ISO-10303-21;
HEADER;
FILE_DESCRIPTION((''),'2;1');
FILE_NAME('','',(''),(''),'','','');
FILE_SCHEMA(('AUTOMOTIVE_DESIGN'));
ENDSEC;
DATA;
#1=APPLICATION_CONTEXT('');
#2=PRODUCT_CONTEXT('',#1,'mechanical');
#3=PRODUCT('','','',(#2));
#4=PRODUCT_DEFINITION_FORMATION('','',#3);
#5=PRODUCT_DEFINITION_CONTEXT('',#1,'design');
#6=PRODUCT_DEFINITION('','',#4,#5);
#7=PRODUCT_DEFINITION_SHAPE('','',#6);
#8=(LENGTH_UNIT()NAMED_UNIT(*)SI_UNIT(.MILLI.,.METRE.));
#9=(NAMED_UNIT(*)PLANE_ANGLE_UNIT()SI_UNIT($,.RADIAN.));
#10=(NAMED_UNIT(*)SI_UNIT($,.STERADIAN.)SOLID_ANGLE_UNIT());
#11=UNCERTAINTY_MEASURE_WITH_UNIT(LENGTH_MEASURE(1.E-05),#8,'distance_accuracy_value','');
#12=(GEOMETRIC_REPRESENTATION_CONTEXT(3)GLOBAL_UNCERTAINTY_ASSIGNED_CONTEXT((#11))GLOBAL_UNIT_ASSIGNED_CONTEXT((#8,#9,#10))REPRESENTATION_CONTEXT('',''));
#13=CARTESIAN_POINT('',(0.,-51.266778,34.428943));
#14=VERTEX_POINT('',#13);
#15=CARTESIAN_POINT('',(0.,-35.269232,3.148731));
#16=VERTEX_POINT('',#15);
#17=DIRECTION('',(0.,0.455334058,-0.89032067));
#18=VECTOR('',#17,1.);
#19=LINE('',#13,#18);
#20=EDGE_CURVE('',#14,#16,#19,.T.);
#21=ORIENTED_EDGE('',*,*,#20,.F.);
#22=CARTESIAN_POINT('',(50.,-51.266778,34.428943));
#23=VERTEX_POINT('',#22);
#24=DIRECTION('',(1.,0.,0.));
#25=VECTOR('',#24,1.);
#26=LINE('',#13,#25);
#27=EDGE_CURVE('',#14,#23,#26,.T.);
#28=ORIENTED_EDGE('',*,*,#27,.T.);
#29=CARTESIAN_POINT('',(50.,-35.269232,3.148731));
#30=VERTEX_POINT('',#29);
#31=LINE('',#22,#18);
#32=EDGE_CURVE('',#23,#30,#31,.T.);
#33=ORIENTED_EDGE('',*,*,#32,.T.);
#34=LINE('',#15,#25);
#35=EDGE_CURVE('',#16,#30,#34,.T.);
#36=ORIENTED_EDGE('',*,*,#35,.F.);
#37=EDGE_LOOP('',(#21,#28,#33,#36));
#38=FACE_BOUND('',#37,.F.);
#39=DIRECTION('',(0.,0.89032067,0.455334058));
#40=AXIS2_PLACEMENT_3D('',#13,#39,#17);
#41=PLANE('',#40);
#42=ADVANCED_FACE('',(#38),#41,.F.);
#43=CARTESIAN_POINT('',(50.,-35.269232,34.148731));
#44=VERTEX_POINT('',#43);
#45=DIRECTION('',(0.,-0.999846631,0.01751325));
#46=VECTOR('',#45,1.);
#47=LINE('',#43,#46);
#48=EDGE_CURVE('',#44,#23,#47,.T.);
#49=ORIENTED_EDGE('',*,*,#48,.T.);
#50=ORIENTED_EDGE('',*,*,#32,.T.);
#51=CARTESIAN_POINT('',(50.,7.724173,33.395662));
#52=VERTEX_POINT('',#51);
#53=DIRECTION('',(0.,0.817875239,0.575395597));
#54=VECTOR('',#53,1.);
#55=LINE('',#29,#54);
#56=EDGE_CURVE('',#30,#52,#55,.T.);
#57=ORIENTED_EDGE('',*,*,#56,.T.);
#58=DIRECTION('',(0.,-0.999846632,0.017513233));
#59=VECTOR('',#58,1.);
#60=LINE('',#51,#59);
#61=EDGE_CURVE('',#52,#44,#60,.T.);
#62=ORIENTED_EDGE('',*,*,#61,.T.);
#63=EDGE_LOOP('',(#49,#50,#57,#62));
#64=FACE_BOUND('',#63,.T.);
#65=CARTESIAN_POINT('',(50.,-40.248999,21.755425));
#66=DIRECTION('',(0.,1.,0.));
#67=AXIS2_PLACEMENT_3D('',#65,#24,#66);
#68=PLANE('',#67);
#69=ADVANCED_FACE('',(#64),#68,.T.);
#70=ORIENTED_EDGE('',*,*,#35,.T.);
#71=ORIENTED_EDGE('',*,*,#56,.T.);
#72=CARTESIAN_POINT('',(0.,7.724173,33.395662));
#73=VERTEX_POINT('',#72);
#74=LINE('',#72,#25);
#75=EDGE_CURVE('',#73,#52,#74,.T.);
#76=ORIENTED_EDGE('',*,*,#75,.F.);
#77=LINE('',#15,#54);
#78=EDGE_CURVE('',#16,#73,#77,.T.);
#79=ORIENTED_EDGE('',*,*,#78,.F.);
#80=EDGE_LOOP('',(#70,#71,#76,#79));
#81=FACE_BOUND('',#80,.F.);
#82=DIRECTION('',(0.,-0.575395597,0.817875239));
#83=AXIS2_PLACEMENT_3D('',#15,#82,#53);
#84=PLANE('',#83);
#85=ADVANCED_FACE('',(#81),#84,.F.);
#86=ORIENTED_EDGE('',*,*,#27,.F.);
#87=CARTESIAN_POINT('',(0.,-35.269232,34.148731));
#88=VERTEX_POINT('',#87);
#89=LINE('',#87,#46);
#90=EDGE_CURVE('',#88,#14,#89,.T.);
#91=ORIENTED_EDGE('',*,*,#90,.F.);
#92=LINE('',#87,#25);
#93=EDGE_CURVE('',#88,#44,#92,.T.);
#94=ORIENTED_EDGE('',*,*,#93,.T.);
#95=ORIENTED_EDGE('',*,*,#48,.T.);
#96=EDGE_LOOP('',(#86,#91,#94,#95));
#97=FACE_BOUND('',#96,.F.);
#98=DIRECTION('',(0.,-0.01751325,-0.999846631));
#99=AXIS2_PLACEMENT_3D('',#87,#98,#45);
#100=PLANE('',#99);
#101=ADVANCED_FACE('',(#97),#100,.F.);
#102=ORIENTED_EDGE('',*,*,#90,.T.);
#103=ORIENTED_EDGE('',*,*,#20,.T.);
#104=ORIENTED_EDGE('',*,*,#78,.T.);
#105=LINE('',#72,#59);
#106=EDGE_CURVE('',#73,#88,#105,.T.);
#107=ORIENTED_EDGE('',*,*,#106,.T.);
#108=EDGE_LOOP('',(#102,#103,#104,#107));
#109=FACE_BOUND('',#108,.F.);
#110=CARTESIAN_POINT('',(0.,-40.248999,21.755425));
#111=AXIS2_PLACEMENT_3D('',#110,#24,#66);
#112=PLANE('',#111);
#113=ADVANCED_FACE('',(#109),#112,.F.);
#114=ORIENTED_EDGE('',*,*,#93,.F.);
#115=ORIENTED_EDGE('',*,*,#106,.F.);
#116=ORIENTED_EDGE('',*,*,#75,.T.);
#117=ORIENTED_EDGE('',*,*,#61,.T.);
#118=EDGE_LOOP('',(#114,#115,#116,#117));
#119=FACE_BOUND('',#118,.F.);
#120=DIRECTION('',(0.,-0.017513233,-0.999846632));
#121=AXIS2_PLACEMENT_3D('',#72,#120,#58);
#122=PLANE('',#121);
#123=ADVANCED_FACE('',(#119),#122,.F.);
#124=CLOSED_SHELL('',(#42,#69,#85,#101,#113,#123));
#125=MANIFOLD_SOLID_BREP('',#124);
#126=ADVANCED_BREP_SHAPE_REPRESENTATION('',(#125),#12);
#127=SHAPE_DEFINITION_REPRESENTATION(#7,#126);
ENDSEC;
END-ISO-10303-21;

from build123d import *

# Parameters (mm, degrees)
F1_DEPTH = 50


with BuildPart() as f1:
    # F0 (on Right) → F1 (new body)
    with BuildSketch(Plane.YZ):
        Polygon((-35.269232, 34.148731), (-51.266778, 34.428943), (-35.269232, 3.148731), align=None)
        Polygon((7.724173, 33.395662), (-35.269232, 34.148731), (-35.269232, 3.148731), align=None)
    extrude(amount=F1_DEPTH)


solid = f1.part
